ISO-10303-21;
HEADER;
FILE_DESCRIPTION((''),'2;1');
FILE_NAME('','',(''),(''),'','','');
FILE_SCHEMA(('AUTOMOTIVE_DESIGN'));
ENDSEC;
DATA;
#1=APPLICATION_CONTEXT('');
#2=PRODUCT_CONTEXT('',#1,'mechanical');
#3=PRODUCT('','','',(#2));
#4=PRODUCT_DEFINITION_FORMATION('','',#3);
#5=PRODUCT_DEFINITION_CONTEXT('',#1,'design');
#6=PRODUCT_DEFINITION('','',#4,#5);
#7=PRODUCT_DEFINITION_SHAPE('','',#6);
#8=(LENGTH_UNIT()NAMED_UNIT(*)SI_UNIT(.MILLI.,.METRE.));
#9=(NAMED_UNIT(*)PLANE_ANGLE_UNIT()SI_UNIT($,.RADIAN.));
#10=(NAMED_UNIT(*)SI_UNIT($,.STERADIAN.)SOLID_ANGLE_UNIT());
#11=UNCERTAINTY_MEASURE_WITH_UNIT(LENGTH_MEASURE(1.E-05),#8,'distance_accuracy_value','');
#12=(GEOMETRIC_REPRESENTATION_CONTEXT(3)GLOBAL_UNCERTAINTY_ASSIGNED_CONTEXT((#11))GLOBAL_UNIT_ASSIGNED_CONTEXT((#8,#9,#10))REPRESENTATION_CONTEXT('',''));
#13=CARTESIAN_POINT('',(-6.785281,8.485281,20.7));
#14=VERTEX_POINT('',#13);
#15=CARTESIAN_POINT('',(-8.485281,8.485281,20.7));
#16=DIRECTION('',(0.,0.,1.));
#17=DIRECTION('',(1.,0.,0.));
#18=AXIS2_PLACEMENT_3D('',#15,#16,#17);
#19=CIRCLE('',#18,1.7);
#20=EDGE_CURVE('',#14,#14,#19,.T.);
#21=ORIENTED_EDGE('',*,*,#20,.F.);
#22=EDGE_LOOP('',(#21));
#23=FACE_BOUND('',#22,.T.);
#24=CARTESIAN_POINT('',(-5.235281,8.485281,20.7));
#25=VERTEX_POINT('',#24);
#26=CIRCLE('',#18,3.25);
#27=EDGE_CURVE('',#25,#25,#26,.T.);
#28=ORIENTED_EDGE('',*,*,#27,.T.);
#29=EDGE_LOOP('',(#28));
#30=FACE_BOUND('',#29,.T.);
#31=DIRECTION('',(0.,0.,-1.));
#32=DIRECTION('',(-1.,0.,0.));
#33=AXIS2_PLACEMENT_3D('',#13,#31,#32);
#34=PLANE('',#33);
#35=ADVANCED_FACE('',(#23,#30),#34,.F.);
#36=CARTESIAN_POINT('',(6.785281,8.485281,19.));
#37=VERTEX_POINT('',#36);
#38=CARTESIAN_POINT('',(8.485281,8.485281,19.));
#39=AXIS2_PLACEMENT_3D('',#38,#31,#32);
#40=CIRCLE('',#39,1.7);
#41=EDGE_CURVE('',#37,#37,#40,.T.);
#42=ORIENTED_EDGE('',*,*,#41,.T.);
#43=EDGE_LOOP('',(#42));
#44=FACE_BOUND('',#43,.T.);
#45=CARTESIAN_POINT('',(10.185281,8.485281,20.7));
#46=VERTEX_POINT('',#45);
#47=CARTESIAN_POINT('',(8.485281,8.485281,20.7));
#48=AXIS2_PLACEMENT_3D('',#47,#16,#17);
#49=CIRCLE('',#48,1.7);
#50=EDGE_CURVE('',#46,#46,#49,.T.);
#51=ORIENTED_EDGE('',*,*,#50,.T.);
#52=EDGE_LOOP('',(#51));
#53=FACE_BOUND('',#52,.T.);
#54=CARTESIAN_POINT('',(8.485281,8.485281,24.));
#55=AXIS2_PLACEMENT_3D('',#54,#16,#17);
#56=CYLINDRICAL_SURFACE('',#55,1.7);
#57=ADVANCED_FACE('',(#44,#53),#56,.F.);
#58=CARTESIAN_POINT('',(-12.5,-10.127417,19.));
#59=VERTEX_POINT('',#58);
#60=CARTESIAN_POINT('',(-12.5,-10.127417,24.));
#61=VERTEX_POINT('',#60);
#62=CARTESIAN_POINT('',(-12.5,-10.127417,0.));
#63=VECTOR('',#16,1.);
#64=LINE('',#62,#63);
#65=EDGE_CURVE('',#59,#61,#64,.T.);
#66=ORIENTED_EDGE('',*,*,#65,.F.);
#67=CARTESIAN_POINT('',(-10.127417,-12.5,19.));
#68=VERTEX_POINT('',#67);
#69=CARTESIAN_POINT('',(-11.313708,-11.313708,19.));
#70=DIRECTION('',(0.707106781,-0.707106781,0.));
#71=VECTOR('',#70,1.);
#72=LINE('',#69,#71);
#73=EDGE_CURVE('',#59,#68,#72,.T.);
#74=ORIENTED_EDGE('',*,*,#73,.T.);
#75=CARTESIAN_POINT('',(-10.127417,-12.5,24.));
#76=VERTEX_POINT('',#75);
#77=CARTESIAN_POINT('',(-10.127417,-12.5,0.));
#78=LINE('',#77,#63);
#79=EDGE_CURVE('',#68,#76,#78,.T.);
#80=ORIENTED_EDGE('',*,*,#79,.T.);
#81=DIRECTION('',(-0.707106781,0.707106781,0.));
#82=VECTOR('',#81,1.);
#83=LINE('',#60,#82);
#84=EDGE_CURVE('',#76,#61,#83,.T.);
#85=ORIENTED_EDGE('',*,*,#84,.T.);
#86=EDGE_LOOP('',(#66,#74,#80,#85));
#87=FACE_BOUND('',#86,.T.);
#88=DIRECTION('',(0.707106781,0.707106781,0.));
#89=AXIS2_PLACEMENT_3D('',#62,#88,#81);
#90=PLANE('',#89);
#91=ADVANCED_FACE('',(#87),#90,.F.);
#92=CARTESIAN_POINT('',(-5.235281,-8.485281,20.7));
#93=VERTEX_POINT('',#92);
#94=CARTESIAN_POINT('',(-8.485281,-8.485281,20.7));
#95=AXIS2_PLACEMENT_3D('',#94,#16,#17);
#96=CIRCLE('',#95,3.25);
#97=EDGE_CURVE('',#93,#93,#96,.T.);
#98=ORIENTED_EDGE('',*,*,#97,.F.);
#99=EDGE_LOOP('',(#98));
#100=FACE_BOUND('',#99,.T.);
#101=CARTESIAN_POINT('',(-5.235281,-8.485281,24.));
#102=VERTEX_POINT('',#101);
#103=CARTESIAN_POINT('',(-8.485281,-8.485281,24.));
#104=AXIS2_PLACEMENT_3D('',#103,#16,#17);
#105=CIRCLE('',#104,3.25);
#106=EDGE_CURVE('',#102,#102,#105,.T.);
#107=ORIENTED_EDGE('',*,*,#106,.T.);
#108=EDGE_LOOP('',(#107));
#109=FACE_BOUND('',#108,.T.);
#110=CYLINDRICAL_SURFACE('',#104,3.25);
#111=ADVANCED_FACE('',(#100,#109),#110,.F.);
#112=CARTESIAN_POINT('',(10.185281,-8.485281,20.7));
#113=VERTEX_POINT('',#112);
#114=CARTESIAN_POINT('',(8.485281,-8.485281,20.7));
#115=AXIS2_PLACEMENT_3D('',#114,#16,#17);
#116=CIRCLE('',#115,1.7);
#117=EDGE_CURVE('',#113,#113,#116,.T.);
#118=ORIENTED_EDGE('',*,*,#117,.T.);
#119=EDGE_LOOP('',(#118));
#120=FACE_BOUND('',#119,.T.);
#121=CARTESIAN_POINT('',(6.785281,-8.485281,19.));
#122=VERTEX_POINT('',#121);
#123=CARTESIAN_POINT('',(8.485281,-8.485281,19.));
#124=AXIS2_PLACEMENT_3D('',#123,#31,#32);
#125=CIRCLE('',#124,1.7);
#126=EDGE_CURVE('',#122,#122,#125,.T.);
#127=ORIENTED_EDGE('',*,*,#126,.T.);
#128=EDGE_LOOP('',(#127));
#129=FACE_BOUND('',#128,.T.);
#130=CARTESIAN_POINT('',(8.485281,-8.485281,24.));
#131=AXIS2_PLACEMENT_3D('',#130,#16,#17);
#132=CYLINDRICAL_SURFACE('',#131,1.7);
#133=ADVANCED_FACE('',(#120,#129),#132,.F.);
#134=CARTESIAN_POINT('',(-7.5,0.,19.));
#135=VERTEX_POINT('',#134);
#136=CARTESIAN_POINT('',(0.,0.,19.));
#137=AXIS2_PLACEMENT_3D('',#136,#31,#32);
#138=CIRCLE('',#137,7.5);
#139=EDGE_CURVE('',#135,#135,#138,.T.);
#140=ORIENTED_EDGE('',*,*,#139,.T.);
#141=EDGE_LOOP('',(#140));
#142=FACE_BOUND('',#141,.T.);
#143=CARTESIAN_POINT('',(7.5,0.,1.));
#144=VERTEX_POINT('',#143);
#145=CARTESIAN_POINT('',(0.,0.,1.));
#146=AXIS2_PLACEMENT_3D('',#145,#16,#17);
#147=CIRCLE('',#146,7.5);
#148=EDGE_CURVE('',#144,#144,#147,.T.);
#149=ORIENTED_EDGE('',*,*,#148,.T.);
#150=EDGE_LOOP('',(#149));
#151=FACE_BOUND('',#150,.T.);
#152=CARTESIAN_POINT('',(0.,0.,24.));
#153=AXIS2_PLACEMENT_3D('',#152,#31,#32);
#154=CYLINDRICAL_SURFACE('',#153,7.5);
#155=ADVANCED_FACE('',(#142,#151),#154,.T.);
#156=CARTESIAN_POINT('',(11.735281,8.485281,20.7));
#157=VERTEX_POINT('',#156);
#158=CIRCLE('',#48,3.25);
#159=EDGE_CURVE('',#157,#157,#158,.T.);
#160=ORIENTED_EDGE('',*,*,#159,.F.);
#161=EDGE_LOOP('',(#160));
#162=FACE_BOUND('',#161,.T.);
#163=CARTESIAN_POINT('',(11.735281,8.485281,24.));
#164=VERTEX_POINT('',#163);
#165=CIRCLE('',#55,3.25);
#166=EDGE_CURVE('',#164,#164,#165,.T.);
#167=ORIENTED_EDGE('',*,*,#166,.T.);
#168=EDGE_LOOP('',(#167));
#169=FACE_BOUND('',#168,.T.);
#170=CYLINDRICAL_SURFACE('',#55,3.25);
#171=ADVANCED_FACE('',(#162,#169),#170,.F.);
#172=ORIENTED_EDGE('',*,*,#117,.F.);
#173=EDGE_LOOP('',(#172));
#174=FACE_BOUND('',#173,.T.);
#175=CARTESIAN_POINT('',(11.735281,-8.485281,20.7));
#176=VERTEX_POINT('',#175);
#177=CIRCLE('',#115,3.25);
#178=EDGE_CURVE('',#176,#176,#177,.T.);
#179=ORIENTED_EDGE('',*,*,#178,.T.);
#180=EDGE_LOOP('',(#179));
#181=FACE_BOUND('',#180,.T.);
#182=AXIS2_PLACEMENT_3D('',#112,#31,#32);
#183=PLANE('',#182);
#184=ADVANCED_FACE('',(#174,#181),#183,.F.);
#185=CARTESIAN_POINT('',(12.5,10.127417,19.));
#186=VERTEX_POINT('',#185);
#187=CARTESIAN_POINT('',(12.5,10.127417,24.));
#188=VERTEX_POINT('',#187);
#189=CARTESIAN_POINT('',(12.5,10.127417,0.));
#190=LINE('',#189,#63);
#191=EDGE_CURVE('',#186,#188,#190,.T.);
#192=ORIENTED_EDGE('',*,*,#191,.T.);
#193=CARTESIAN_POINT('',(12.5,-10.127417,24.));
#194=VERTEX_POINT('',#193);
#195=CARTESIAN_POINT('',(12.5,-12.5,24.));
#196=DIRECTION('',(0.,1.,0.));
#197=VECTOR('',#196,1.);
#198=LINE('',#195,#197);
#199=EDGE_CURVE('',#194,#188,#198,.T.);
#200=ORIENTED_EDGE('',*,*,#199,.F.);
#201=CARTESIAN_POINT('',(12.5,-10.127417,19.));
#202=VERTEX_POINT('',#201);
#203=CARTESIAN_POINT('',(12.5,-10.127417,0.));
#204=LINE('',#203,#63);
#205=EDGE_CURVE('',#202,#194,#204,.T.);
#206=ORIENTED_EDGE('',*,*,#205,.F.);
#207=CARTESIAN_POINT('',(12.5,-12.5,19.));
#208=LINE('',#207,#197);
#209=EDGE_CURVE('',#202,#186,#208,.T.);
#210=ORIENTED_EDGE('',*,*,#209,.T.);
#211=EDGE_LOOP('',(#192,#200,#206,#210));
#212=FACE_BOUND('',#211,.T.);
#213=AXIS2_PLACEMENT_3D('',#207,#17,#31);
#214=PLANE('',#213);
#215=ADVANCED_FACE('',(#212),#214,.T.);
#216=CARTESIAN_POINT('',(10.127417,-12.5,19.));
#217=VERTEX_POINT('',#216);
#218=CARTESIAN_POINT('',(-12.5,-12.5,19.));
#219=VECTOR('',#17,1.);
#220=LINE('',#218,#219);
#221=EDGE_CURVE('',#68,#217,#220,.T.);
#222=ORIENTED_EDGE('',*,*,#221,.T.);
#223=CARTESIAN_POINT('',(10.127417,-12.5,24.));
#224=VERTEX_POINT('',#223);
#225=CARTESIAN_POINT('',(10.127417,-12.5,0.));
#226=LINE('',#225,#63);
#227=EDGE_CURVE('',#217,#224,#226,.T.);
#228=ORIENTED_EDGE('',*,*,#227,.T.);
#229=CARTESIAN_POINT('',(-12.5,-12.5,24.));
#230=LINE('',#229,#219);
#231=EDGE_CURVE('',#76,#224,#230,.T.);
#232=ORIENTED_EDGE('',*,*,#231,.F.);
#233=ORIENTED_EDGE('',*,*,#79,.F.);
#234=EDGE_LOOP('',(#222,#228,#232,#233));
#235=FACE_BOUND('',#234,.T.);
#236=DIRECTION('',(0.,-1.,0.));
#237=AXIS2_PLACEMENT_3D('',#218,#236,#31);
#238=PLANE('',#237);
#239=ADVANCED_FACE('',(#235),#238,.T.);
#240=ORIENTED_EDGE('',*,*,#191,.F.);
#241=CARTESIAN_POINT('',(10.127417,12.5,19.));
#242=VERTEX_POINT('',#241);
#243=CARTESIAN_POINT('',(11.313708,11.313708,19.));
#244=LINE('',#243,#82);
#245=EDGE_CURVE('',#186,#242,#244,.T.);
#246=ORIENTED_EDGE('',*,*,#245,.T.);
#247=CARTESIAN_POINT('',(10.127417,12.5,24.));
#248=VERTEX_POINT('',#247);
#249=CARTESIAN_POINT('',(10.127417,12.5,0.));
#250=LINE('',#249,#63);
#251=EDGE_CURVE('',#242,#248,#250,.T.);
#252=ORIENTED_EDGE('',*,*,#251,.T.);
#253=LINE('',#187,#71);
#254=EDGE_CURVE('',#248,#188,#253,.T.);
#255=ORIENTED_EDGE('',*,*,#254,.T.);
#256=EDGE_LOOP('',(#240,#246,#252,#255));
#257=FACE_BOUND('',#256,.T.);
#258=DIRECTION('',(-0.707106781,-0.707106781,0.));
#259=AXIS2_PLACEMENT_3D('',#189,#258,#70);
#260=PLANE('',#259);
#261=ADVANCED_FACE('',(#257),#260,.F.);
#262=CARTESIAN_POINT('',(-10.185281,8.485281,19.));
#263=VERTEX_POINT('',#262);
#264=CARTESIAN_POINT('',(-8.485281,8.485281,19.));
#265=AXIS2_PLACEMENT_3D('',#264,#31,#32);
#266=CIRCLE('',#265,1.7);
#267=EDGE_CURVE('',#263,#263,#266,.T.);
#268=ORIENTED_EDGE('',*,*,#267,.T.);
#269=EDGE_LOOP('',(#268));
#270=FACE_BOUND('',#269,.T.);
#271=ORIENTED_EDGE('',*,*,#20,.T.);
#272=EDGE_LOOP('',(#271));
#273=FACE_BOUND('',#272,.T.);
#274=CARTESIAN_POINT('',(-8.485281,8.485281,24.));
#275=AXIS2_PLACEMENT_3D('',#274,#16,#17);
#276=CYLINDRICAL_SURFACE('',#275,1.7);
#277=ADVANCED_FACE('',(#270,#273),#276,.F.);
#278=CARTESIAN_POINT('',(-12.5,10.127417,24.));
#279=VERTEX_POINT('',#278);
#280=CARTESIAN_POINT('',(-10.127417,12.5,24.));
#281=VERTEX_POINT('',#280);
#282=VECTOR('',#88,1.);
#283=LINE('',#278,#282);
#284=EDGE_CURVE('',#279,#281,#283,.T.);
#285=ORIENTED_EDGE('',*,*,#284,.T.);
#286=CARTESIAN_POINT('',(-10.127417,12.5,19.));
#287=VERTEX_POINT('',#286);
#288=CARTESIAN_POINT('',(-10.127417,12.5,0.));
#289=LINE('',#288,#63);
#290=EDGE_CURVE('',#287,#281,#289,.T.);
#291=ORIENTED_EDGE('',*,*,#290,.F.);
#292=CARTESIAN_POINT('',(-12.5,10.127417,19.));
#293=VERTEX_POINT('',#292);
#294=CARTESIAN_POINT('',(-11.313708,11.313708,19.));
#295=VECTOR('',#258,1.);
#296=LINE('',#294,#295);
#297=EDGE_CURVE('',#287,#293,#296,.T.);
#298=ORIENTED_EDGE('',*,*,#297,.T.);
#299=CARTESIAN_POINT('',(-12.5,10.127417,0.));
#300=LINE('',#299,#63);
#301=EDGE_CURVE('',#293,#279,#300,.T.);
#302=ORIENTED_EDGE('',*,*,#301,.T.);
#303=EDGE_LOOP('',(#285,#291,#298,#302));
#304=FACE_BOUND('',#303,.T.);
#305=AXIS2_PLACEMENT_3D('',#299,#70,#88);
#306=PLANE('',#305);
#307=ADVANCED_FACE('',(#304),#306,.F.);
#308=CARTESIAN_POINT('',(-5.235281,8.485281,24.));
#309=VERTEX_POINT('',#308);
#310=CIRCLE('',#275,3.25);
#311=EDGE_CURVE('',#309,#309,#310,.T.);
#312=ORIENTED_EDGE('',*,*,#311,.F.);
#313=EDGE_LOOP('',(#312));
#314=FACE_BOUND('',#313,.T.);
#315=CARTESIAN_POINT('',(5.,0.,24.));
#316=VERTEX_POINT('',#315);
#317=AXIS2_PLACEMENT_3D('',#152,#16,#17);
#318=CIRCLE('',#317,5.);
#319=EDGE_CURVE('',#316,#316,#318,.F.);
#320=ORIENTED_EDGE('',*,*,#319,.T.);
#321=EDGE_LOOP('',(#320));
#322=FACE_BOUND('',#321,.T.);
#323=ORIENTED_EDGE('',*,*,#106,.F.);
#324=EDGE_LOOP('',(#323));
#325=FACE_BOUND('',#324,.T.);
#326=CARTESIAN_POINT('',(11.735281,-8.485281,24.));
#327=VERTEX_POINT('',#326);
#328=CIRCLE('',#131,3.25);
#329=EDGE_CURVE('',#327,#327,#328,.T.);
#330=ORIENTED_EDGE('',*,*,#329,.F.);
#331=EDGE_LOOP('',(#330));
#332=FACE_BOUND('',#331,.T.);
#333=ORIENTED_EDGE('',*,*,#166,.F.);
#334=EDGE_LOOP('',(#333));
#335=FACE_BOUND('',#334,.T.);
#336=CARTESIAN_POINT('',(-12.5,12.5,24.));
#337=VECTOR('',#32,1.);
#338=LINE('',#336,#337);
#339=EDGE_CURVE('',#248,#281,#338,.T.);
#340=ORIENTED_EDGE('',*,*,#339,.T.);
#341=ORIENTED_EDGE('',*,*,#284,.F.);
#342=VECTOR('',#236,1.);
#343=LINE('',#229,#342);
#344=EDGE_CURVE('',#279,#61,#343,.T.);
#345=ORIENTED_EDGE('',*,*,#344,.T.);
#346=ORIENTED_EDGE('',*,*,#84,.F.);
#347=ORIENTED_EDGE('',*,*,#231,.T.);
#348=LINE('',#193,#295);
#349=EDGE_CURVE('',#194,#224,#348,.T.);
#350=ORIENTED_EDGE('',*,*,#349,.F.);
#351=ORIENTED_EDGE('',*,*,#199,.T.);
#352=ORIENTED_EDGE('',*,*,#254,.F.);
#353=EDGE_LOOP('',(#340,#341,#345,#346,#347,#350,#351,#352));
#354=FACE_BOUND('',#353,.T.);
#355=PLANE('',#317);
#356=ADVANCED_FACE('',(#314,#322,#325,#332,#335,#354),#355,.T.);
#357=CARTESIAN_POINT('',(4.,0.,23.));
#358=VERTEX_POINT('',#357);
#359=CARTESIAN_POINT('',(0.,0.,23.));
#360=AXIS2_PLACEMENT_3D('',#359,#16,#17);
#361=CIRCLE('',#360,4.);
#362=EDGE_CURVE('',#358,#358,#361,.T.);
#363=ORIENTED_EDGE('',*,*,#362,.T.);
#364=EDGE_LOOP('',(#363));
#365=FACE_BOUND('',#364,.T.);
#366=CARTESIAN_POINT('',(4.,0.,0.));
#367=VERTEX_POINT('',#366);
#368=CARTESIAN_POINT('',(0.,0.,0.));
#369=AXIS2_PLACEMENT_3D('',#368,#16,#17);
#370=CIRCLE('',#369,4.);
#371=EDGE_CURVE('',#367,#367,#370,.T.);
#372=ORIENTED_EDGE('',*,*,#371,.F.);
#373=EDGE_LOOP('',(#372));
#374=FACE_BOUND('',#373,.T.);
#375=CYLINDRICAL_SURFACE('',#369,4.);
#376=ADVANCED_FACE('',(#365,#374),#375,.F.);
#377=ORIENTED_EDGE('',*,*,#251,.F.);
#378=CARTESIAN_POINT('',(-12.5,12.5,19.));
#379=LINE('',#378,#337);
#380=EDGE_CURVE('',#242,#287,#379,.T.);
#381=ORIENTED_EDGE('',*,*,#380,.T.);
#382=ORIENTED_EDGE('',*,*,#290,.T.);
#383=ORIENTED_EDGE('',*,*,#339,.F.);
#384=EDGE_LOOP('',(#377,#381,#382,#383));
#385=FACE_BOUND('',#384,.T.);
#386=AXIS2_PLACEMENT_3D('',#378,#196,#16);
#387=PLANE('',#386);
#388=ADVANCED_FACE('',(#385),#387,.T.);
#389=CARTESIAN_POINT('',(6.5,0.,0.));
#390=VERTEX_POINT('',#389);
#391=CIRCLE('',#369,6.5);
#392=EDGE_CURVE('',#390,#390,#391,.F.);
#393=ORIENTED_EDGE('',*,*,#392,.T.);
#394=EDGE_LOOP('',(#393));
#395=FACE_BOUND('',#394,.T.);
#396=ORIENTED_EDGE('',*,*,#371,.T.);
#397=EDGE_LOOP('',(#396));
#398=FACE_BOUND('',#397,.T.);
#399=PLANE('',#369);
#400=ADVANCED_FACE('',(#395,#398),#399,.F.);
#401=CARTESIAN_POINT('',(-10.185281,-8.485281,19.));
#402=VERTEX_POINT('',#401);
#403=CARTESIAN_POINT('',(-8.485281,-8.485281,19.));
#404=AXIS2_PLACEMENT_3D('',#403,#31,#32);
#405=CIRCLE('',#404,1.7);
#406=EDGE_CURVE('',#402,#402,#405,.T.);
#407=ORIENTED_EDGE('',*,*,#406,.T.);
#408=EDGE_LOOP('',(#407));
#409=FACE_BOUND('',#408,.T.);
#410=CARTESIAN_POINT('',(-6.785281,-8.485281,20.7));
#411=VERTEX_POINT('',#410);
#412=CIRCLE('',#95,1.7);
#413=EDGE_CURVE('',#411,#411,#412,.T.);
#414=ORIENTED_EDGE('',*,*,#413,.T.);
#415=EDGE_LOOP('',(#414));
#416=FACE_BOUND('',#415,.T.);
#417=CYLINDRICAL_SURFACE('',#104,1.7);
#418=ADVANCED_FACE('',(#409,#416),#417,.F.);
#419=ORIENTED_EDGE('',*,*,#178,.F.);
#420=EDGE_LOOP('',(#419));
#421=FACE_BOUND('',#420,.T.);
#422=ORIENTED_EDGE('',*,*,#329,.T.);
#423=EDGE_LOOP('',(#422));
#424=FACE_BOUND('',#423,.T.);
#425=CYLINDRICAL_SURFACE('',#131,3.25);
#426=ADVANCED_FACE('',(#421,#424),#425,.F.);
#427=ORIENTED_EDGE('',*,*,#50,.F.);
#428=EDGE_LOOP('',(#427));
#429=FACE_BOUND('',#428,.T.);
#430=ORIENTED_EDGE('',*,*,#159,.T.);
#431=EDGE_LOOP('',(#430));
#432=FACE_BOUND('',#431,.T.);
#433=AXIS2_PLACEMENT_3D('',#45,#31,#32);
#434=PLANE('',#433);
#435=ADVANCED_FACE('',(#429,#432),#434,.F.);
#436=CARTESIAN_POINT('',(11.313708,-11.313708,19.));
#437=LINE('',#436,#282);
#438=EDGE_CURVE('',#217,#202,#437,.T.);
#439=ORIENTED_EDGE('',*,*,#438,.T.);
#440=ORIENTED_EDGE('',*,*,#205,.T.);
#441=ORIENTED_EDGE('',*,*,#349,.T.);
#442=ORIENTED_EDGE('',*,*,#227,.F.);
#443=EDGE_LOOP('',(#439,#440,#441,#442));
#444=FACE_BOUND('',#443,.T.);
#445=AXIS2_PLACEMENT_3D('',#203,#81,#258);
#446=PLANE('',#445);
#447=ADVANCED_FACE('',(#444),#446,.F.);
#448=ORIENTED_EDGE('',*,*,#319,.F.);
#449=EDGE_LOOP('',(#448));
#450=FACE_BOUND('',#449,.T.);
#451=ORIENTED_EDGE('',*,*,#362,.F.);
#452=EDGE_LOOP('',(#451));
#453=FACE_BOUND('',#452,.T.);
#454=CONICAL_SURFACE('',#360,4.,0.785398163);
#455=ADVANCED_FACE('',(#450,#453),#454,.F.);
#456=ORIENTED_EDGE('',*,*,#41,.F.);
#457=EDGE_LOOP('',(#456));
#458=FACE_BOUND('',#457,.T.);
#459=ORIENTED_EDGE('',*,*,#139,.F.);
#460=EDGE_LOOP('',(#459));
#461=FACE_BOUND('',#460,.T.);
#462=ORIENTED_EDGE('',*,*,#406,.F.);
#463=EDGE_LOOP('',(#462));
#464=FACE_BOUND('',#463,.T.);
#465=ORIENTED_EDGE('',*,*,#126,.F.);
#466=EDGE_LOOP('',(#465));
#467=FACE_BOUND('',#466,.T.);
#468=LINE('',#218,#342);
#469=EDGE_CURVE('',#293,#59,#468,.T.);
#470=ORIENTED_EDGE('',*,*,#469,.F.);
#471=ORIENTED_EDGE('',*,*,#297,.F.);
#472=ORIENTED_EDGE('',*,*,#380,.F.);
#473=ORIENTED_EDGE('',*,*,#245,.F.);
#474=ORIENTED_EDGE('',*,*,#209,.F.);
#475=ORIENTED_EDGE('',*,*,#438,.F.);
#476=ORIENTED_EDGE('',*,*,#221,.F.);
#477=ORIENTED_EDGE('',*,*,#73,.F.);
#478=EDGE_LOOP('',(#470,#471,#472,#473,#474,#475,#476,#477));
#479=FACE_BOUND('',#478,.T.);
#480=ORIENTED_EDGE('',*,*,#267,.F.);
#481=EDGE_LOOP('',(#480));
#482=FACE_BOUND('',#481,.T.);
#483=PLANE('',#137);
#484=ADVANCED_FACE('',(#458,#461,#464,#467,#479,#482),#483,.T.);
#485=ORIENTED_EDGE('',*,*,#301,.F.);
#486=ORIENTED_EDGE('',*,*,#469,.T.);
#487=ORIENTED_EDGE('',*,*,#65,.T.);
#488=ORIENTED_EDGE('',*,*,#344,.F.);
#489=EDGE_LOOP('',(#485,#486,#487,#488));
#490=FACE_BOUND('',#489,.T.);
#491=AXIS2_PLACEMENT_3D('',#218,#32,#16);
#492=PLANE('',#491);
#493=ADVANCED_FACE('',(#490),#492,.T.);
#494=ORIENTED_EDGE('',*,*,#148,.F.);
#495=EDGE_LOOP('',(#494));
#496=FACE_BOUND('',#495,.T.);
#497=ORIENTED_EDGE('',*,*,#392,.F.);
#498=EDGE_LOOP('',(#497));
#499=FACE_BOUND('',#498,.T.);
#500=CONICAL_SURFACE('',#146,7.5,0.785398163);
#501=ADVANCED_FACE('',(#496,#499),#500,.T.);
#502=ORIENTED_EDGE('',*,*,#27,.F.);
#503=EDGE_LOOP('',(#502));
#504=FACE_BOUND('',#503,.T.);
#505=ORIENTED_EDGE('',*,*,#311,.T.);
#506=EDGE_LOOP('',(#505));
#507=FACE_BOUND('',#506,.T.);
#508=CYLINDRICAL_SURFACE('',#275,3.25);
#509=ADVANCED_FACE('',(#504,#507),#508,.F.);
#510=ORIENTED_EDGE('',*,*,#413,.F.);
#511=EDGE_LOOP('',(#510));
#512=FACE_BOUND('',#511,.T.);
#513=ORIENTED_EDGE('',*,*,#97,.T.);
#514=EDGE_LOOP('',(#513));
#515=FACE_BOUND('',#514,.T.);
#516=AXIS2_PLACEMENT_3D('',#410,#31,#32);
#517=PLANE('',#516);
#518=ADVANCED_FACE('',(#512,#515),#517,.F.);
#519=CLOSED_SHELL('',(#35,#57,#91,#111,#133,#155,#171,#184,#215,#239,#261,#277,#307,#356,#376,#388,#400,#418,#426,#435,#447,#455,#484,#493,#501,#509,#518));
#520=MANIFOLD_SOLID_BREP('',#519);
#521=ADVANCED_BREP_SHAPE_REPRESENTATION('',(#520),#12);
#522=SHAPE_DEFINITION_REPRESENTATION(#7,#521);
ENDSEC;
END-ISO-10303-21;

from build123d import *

# Parameters (mm, degrees)
SKETCH1_R                                           = 7.5
BOSS_EXTRUDE1_DEPTH                                 = 24
SKETCH2_W                                           = 25
SKETCH2_H                                           = 25
BOSS_EXTRUDE2_DEPTH                                 = 5
CUT_EXTRUDE1_DEPTH                                  = 30.807717122
CBORE_FOR_M3_HEX_SOCKET_HEAD_CAP_SCREW1_D           = 3.4
CBORE_FOR_M3_HEX_SOCKET_HEAD_CAP_SCREW1_DEPTH       = 22
CBORE_FOR_M3_HEX_SOCKET_HEAD_CAP_SCREW1_CBORE_D     = 6.5
CBORE_FOR_M3_HEX_SOCKET_HEAD_CAP_SCREW1_CBORE_DEPTH = 3.3
CBORE_FOR_M3_HEX_SOCKET_HEAD_CAP_SCREW1_TIP         = 1.021463052
SKETCH8_R                                           = 4
CUT_EXTRUDE2_DEPTH                                  = 30.807717122
CHAMFER1_SIZE                                       = 1


with BuildPart() as part:
    # Sketch1 → Boss-Extrude1 (new body)
    with BuildSketch(Plane.XY):
        Circle(SKETCH1_R)
    extrude(amount=BOSS_EXTRUDE1_DEPTH)

    # Sketch2 → Boss-Extrude2 (add)
    with BuildSketch(Plane.XY.offset(24)):
        Rectangle(SKETCH2_W, SKETCH2_H)
    extrude(amount=-BOSS_EXTRUDE2_DEPTH)

    # Sketch4 → Cut-Extrude1 (cut, through all)
    with BuildSketch(Plane.XY.offset(24)):
        Polygon((-12.5, 12.5), (-12.5, 10.127416998), (-10.127416998, 12.5), align=None)
        Polygon((10.127416998, 12.5), (12.5, 12.5), (12.5, 10.127416998), align=None)
        Polygon((12.5, -12.5), (12.5, -10.127416998), (10.127416998, -12.5), align=None)
        Polygon((-10.127416998, -12.5), (-12.5, -12.5), (-12.5, -10.127416998), align=None)
    extrude(amount=-CUT_EXTRUDE1_DEPTH, mode=Mode.SUBTRACT)

    # CBORE for M3 Hex Socket Head Cap Screw1
    with Locations(Plane.XY.offset(24)):
        with Locations((-8.485281374, 8.485281374), (8.485281374, 8.485281374), (8.485281374, -8.485281374), (-8.485281374, -8.485281374)):
            CounterBoreHole(CBORE_FOR_M3_HEX_SOCKET_HEAD_CAP_SCREW1_D / 2, CBORE_FOR_M3_HEX_SOCKET_HEAD_CAP_SCREW1_CBORE_D / 2, CBORE_FOR_M3_HEX_SOCKET_HEAD_CAP_SCREW1_CBORE_DEPTH, depth=CBORE_FOR_M3_HEX_SOCKET_HEAD_CAP_SCREW1_DEPTH)
            with Locations((0, 0, -(CBORE_FOR_M3_HEX_SOCKET_HEAD_CAP_SCREW1_DEPTH + CBORE_FOR_M3_HEX_SOCKET_HEAD_CAP_SCREW1_TIP / 2))):  # 118° drill point
                Cone(0, CBORE_FOR_M3_HEX_SOCKET_HEAD_CAP_SCREW1_D / 2, CBORE_FOR_M3_HEX_SOCKET_HEAD_CAP_SCREW1_TIP, mode=Mode.SUBTRACT)

    # Sketch8 → Cut-Extrude2 (cut, through all)
    with BuildSketch(Plane.XY.offset(24)):
        Circle(SKETCH8_R)
    extrude(amount=-CUT_EXTRUDE2_DEPTH, mode=Mode.SUBTRACT)

    # Chamfer1
    chamfer1_edges = [part.edges().sort_by_distance(p)[0] for p in [
        (-4, 0, 24),
        (-7.5, 0, 0),
    ]]
    chamfer(chamfer1_edges, length=CHAMFER1_SIZE)


solid = part.part
